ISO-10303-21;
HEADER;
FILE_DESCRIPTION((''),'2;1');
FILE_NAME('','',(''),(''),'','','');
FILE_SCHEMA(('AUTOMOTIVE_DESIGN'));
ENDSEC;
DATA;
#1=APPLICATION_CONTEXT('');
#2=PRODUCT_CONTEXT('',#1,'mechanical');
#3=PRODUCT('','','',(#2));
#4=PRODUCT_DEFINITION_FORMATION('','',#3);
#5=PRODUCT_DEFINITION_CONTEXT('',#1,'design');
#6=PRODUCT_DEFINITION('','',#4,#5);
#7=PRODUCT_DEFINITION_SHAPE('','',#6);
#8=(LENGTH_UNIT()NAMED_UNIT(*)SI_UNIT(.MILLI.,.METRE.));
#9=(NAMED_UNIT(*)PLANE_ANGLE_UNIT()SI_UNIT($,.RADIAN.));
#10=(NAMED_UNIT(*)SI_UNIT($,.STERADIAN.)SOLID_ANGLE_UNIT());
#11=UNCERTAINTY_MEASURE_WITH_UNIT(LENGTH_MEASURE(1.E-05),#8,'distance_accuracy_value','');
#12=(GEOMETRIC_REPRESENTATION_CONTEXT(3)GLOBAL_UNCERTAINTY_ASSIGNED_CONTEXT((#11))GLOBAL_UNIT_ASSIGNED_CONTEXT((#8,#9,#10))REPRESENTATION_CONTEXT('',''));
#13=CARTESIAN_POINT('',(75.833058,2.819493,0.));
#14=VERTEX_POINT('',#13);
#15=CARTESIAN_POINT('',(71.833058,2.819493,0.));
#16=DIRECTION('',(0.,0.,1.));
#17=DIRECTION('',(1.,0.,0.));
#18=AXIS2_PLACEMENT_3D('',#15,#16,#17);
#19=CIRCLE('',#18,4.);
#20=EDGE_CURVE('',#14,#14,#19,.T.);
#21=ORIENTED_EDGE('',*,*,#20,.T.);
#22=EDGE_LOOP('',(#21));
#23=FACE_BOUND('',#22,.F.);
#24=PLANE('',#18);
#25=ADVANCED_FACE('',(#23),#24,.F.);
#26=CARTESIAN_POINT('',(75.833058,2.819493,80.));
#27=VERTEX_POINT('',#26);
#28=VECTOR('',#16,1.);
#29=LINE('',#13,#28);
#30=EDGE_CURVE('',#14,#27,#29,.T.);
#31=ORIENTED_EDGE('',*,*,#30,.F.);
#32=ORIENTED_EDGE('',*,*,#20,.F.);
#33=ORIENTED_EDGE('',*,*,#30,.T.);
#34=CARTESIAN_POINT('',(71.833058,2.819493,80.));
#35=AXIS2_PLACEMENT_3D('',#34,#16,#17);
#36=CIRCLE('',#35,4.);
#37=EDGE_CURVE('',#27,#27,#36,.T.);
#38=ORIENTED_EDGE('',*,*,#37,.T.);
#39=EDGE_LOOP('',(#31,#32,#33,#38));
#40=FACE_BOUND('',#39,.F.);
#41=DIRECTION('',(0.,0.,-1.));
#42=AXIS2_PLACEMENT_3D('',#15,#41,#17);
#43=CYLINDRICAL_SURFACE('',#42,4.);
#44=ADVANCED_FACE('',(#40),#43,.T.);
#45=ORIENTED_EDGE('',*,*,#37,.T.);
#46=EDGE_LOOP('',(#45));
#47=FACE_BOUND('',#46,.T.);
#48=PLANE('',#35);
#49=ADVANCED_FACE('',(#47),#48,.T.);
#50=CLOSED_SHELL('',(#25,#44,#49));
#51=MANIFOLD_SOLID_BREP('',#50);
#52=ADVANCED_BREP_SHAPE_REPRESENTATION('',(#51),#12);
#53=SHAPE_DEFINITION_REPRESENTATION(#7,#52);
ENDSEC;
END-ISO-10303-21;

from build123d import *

# Parameters (mm, degrees)
SKETCH_1_R      = 4
EXTRUDE_1_DEPTH = 80


with BuildPart() as part:
    # 草图1 → 凸台-拉伸1 (new body)
    with BuildSketch(Plane.XY):
        with Locations((71.833058385, 2.819493448)):
            Circle(SKETCH_1_R)
    extrude(amount=EXTRUDE_1_DEPTH)


solid = part.part
